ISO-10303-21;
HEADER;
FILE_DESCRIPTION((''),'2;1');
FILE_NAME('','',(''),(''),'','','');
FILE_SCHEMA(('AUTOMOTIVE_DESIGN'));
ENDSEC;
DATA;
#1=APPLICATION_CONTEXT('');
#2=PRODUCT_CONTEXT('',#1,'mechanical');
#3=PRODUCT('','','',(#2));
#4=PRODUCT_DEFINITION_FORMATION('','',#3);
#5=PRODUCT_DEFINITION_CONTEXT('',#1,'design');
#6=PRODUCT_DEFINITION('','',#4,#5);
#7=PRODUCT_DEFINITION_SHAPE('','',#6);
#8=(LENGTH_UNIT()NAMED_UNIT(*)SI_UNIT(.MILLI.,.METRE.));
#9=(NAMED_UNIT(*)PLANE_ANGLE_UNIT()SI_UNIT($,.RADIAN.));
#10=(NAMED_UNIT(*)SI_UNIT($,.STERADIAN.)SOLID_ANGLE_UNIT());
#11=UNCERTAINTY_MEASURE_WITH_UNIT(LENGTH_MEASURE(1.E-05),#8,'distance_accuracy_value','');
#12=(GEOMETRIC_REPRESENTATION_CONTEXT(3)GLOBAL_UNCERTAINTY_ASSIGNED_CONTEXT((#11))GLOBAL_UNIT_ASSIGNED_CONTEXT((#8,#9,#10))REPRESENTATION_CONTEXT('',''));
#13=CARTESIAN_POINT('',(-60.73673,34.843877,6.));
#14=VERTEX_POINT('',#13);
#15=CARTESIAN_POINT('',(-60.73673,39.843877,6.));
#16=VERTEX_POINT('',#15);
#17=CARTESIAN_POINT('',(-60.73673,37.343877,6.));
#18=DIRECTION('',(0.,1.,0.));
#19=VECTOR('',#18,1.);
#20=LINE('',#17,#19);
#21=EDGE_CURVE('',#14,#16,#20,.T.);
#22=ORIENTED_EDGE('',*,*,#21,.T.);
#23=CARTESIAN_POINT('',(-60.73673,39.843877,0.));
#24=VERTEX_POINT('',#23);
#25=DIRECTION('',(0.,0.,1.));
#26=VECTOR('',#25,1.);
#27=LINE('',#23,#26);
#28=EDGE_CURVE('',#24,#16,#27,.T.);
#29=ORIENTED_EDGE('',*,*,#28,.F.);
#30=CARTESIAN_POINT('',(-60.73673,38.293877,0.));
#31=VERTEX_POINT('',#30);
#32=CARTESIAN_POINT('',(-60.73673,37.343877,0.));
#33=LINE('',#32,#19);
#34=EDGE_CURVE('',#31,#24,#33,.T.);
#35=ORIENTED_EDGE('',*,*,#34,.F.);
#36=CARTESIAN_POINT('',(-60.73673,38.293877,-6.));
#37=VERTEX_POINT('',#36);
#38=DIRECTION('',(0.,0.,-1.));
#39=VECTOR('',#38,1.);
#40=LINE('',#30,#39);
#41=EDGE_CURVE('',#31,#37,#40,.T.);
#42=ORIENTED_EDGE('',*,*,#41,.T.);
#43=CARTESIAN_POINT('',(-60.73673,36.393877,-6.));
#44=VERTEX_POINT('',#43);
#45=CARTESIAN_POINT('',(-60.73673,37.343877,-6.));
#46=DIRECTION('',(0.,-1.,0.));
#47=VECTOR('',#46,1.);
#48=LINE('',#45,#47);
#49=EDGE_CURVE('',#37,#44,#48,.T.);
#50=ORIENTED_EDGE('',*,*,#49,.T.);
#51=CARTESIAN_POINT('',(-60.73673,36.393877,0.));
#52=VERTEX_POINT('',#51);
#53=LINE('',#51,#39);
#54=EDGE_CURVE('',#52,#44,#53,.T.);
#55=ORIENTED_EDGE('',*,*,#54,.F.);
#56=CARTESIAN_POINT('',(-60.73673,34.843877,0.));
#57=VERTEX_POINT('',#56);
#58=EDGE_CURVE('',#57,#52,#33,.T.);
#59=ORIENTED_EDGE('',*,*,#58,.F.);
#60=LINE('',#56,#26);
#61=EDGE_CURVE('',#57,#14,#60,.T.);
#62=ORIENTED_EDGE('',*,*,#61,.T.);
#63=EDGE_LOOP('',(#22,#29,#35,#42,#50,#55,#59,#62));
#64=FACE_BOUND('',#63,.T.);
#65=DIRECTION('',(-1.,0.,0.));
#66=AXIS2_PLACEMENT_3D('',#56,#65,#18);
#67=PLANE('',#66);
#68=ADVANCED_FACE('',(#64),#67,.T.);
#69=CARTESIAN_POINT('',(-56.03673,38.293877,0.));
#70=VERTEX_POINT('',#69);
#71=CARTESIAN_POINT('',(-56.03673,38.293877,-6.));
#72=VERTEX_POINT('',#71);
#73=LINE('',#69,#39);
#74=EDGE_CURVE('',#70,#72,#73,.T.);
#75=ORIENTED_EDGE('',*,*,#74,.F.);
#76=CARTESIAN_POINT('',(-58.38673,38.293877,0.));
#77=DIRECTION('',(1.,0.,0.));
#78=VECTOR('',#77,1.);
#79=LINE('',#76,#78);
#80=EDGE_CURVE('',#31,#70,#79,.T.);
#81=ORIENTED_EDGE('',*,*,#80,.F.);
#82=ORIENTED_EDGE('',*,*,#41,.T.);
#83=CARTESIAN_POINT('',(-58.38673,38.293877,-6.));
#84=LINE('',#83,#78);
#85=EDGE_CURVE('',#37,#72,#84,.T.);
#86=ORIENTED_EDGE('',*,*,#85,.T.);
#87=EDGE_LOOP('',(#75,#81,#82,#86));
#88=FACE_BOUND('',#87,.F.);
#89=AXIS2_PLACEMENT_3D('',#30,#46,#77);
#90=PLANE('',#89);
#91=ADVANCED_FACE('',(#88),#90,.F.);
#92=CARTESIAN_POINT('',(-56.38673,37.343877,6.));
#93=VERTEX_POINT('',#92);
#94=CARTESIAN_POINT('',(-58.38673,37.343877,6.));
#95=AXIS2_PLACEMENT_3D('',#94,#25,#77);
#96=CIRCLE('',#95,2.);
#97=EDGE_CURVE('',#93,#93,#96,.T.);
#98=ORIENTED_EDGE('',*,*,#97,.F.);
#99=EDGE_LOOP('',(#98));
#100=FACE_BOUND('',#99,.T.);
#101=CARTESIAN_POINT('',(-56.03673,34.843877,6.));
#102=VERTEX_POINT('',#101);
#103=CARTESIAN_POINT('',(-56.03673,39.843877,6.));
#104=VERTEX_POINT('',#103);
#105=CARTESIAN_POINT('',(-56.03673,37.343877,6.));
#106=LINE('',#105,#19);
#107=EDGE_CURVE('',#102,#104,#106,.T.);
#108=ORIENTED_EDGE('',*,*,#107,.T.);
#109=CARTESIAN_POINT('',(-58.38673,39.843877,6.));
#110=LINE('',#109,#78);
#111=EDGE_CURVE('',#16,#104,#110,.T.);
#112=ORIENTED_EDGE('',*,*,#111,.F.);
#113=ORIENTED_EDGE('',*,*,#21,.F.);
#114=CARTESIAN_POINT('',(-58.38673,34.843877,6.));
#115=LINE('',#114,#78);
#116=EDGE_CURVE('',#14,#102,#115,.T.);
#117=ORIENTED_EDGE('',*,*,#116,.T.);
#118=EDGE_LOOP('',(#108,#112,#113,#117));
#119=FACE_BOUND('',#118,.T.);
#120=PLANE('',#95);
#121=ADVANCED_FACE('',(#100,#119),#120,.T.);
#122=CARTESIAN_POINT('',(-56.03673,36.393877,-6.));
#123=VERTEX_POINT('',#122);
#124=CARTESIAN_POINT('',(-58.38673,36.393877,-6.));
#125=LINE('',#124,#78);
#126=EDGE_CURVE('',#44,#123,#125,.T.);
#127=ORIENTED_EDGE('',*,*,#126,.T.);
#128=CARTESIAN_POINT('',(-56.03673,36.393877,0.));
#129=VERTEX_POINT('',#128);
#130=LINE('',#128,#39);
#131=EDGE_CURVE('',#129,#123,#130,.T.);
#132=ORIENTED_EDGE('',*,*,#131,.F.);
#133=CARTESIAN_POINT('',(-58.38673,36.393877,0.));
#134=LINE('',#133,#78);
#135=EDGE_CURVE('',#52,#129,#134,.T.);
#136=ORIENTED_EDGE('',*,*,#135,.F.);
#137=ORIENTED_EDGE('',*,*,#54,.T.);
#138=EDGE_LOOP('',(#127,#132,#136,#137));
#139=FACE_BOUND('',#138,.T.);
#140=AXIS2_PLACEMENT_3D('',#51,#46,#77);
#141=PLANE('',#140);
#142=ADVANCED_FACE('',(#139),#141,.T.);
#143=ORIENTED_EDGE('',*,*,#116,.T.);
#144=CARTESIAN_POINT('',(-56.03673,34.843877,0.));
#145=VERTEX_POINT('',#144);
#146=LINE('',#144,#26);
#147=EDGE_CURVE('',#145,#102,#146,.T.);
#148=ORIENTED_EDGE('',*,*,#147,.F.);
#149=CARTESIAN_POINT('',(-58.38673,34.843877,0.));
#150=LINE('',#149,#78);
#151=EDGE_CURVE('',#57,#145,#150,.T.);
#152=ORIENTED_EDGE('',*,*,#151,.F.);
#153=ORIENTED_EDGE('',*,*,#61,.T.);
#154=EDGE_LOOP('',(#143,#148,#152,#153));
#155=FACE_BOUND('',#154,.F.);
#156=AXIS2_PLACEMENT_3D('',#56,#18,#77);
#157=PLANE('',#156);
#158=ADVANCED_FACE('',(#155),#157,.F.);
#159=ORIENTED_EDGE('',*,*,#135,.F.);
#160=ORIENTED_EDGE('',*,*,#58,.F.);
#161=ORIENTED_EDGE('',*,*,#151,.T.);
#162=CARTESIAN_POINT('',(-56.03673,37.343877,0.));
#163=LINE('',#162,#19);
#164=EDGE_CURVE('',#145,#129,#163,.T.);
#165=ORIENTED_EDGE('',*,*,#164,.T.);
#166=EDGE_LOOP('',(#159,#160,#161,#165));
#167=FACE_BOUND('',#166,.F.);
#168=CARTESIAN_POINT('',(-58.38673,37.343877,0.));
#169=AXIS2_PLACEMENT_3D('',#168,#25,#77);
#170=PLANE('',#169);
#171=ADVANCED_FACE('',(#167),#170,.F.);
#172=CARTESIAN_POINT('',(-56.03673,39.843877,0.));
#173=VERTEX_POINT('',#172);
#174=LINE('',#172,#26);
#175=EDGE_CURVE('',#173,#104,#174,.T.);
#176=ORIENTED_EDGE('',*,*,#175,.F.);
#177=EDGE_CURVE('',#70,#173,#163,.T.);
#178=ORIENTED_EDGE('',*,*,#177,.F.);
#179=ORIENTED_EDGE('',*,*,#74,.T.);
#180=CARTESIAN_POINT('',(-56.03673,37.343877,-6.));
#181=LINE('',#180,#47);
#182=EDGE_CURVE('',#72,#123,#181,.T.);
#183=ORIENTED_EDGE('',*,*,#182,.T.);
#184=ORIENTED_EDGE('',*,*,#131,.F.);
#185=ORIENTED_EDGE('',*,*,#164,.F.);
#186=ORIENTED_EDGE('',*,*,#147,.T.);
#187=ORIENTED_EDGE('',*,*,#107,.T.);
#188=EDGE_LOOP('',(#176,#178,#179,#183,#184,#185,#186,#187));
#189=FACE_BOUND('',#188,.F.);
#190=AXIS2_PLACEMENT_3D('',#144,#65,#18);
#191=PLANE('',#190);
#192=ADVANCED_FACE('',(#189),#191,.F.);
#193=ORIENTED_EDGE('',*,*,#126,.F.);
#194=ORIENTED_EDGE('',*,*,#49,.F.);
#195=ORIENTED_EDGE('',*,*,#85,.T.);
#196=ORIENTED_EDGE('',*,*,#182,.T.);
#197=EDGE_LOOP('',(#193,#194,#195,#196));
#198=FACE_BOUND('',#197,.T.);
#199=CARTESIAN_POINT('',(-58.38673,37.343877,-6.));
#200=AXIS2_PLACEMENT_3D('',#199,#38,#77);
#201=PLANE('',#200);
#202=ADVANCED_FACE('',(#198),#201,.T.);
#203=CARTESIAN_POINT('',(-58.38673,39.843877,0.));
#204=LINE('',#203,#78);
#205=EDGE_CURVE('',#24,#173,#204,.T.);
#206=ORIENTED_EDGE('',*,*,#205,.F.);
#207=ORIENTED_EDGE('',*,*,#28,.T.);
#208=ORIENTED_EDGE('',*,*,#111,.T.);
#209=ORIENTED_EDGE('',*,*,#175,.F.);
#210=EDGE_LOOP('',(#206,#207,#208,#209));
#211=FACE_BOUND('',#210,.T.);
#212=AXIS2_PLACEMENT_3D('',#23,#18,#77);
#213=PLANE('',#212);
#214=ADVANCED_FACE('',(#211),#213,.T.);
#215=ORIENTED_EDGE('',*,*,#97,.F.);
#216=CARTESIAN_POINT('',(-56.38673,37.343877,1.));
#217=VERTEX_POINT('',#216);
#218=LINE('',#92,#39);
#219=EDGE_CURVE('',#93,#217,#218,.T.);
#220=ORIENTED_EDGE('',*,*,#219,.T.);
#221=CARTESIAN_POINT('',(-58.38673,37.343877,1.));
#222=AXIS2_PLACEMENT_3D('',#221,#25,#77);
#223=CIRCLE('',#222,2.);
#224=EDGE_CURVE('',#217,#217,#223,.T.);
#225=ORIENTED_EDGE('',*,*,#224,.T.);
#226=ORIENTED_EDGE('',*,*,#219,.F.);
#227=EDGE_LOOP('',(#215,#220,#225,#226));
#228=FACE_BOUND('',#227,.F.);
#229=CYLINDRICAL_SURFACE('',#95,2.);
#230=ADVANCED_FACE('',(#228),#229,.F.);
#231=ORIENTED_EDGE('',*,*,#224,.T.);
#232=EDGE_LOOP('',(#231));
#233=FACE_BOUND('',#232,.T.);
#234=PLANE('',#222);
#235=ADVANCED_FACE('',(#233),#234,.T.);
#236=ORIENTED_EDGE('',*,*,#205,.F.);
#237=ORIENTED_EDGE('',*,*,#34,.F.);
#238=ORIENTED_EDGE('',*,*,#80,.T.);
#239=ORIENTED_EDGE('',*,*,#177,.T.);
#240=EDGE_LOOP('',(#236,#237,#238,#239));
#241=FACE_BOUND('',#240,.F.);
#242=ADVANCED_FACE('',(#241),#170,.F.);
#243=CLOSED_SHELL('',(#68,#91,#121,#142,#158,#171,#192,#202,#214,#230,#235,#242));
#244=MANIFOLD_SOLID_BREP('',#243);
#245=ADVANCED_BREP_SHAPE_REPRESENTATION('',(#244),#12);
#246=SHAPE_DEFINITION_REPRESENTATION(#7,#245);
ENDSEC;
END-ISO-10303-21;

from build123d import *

# Parameters (mm, degrees)
F0_W     = 4.7
F0_H     = 5
F1_DEPTH = 6
F2_R     = 2
F3_DEPTH = 5
F4_W     = 4.7
F4_H     = 1.9
F5_DEPTH = 6


with BuildPart() as f1:
    # F0 (on Top) → F1 (new body)
    with BuildSketch(Plane.XY):
        with Locations((-58.38673, 37.343877)):
            Rectangle(F0_W, F0_H)
    extrude(amount=F1_DEPTH)

    # F2 (on face) → F3 (cut)
    with BuildSketch(Plane.XY.offset(6)):
        with Locations((-58.38673, 37.343877)):
            Circle(F2_R)
    extrude(amount=-F3_DEPTH, mode=Mode.SUBTRACT)

    # F4 (on face) → F5 (join)
    with BuildSketch(Plane(origin=(0, 0, 0), x_dir=(1, 0, 0), z_dir=(0, 0, -1))):
        with Locations((-58.38673, -37.343877)):
            Rectangle(F4_W, F4_H)
    extrude(amount=F5_DEPTH)


solid = f1.part
